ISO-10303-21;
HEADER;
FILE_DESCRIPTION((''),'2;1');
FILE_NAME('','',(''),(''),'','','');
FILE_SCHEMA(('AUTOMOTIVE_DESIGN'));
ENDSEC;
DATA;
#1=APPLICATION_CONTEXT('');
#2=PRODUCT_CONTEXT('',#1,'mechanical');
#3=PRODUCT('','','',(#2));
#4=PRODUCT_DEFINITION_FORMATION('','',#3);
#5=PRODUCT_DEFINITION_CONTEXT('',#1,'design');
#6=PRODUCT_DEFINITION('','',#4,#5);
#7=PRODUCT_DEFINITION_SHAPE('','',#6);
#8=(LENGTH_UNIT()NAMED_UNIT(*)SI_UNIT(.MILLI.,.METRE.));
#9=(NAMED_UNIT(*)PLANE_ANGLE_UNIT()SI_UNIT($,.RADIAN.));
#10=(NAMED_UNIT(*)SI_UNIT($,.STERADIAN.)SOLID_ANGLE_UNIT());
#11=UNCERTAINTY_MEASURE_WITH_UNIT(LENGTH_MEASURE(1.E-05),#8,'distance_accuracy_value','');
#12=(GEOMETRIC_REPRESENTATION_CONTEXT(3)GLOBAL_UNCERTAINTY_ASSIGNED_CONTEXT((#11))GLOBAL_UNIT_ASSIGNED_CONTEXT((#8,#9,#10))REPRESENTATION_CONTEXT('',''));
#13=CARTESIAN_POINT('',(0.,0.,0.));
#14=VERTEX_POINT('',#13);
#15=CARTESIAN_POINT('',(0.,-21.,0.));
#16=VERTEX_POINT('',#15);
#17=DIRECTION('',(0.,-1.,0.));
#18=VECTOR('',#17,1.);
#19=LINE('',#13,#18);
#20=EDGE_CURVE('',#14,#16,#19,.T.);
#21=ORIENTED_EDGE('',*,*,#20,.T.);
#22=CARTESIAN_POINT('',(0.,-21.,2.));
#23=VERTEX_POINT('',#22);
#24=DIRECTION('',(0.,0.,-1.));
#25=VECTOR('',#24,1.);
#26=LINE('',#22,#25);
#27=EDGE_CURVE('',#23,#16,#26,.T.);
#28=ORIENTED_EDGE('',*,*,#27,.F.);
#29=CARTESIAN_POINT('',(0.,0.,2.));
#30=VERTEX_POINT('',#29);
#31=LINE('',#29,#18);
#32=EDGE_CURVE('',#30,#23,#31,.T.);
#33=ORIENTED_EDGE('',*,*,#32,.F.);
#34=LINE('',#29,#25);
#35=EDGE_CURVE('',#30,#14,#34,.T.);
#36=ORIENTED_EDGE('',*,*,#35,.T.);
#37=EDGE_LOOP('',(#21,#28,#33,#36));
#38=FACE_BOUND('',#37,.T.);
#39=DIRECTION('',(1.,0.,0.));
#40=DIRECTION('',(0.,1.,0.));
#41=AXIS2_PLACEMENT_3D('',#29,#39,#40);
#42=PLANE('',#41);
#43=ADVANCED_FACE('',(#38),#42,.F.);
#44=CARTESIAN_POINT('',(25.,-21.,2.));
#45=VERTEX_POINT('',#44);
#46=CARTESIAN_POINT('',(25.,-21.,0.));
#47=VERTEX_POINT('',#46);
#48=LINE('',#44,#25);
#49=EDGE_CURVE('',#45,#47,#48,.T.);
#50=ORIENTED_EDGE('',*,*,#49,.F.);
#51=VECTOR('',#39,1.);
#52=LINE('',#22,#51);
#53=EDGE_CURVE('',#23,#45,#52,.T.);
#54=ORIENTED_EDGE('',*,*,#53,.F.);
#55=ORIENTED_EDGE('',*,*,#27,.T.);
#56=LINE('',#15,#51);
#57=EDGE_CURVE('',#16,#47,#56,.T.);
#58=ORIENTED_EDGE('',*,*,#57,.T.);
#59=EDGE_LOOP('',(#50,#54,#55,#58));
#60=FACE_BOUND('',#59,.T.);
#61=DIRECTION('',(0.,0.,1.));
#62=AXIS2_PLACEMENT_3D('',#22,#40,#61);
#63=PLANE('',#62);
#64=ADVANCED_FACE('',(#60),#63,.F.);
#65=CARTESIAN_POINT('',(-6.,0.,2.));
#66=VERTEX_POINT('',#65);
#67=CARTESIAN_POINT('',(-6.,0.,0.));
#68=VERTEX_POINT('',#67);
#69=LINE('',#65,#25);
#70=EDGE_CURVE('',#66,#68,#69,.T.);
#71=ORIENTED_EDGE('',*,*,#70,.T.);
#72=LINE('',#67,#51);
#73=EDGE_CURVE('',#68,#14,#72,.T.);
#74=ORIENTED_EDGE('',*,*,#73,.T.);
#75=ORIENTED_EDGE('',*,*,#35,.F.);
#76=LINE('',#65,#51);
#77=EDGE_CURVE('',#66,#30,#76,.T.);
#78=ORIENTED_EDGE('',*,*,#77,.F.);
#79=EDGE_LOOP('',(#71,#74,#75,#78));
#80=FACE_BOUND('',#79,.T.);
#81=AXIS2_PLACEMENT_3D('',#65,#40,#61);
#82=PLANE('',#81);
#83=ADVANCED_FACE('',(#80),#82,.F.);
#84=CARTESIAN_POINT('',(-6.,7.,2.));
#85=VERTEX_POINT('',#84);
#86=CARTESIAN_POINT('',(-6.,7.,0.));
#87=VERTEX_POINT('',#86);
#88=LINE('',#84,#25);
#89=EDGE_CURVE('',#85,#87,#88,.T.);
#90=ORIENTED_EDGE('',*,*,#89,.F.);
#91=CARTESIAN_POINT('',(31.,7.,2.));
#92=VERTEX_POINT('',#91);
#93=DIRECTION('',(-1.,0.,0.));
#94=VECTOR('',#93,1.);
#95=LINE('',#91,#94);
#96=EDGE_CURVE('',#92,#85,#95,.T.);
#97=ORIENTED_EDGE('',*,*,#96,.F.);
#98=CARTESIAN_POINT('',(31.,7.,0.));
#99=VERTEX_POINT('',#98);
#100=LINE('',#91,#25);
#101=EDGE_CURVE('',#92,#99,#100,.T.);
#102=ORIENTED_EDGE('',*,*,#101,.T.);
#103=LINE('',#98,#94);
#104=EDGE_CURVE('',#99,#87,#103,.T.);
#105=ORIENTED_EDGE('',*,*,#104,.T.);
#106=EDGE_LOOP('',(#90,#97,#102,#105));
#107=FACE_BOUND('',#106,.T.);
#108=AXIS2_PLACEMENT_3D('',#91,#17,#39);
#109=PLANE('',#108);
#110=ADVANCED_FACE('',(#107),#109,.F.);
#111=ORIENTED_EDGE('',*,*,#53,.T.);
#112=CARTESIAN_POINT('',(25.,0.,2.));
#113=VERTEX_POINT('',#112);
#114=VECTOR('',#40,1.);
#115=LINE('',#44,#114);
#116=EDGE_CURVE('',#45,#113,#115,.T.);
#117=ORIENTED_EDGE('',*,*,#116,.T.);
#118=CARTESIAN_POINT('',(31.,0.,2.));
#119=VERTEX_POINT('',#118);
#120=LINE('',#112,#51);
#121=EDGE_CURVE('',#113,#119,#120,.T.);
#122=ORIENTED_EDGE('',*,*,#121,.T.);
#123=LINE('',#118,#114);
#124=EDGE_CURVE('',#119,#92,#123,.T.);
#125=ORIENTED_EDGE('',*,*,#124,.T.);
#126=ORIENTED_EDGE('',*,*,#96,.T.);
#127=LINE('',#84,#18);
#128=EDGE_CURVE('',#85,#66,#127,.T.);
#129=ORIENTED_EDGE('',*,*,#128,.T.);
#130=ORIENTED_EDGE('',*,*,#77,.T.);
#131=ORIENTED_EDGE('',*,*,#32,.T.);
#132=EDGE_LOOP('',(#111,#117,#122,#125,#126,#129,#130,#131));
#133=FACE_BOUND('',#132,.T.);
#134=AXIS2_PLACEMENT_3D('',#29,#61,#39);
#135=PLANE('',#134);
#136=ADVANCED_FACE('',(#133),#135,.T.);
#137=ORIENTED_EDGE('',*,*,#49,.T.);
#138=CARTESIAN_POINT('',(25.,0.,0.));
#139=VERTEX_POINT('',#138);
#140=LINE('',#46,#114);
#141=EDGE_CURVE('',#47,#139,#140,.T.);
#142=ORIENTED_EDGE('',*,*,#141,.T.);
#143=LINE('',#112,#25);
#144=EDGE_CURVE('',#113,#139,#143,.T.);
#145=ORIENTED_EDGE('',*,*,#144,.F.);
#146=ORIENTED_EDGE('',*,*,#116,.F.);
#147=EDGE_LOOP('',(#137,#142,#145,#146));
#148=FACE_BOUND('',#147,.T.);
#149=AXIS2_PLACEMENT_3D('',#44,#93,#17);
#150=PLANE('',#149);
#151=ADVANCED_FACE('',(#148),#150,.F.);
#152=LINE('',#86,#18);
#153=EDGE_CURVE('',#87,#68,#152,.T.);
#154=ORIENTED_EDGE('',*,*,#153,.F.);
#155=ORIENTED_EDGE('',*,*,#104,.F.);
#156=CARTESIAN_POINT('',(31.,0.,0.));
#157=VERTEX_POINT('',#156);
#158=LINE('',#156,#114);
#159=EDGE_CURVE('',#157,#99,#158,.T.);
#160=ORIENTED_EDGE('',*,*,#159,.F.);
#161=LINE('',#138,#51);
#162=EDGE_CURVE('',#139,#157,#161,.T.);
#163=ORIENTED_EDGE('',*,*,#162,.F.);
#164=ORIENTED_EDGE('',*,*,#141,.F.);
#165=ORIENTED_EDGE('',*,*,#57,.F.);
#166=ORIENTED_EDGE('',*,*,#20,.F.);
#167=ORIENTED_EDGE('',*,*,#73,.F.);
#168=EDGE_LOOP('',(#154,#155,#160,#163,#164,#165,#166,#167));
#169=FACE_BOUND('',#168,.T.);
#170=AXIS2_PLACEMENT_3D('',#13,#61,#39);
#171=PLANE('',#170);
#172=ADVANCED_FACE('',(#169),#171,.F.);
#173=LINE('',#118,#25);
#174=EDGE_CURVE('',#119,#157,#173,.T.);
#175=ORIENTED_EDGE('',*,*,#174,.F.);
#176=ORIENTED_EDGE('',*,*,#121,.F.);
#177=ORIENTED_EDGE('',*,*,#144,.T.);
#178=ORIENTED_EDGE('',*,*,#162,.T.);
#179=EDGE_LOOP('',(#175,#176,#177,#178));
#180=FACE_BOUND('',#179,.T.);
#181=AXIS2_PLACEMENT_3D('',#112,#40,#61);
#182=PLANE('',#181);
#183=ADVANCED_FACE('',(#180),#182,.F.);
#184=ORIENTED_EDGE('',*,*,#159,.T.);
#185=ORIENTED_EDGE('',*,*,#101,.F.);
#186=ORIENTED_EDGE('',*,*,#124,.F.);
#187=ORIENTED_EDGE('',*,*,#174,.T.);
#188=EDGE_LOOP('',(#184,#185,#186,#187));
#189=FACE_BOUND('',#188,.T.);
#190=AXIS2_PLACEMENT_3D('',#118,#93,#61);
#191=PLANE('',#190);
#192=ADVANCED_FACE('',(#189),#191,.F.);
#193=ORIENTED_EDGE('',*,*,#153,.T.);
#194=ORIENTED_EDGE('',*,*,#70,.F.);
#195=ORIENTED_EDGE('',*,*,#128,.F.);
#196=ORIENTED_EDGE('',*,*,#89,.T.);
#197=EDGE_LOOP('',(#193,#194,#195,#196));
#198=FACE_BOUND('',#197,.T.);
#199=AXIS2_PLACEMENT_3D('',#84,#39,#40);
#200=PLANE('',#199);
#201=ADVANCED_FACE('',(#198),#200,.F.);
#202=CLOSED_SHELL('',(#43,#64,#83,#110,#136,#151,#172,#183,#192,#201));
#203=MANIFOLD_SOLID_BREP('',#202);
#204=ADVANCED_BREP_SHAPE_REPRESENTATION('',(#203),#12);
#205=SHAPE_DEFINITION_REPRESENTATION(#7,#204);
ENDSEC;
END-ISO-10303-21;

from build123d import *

# Parameters (mm, degrees)
AUFSATZ_LINEAR_AUSTRAGEN1_DEPTH = 2


with BuildPart() as part:
    # Skizze1 → Aufsatz-Linear austragen1 (new body)
    with BuildSketch(Plane.XY):
        Polygon((0, 0), (0, -21), (25, -21), (25, 0), (31, 0), (31, 7), (-6, 7), (-6, 0), align=None)
    extrude(amount=AUFSATZ_LINEAR_AUSTRAGEN1_DEPTH)


solid = part.part
